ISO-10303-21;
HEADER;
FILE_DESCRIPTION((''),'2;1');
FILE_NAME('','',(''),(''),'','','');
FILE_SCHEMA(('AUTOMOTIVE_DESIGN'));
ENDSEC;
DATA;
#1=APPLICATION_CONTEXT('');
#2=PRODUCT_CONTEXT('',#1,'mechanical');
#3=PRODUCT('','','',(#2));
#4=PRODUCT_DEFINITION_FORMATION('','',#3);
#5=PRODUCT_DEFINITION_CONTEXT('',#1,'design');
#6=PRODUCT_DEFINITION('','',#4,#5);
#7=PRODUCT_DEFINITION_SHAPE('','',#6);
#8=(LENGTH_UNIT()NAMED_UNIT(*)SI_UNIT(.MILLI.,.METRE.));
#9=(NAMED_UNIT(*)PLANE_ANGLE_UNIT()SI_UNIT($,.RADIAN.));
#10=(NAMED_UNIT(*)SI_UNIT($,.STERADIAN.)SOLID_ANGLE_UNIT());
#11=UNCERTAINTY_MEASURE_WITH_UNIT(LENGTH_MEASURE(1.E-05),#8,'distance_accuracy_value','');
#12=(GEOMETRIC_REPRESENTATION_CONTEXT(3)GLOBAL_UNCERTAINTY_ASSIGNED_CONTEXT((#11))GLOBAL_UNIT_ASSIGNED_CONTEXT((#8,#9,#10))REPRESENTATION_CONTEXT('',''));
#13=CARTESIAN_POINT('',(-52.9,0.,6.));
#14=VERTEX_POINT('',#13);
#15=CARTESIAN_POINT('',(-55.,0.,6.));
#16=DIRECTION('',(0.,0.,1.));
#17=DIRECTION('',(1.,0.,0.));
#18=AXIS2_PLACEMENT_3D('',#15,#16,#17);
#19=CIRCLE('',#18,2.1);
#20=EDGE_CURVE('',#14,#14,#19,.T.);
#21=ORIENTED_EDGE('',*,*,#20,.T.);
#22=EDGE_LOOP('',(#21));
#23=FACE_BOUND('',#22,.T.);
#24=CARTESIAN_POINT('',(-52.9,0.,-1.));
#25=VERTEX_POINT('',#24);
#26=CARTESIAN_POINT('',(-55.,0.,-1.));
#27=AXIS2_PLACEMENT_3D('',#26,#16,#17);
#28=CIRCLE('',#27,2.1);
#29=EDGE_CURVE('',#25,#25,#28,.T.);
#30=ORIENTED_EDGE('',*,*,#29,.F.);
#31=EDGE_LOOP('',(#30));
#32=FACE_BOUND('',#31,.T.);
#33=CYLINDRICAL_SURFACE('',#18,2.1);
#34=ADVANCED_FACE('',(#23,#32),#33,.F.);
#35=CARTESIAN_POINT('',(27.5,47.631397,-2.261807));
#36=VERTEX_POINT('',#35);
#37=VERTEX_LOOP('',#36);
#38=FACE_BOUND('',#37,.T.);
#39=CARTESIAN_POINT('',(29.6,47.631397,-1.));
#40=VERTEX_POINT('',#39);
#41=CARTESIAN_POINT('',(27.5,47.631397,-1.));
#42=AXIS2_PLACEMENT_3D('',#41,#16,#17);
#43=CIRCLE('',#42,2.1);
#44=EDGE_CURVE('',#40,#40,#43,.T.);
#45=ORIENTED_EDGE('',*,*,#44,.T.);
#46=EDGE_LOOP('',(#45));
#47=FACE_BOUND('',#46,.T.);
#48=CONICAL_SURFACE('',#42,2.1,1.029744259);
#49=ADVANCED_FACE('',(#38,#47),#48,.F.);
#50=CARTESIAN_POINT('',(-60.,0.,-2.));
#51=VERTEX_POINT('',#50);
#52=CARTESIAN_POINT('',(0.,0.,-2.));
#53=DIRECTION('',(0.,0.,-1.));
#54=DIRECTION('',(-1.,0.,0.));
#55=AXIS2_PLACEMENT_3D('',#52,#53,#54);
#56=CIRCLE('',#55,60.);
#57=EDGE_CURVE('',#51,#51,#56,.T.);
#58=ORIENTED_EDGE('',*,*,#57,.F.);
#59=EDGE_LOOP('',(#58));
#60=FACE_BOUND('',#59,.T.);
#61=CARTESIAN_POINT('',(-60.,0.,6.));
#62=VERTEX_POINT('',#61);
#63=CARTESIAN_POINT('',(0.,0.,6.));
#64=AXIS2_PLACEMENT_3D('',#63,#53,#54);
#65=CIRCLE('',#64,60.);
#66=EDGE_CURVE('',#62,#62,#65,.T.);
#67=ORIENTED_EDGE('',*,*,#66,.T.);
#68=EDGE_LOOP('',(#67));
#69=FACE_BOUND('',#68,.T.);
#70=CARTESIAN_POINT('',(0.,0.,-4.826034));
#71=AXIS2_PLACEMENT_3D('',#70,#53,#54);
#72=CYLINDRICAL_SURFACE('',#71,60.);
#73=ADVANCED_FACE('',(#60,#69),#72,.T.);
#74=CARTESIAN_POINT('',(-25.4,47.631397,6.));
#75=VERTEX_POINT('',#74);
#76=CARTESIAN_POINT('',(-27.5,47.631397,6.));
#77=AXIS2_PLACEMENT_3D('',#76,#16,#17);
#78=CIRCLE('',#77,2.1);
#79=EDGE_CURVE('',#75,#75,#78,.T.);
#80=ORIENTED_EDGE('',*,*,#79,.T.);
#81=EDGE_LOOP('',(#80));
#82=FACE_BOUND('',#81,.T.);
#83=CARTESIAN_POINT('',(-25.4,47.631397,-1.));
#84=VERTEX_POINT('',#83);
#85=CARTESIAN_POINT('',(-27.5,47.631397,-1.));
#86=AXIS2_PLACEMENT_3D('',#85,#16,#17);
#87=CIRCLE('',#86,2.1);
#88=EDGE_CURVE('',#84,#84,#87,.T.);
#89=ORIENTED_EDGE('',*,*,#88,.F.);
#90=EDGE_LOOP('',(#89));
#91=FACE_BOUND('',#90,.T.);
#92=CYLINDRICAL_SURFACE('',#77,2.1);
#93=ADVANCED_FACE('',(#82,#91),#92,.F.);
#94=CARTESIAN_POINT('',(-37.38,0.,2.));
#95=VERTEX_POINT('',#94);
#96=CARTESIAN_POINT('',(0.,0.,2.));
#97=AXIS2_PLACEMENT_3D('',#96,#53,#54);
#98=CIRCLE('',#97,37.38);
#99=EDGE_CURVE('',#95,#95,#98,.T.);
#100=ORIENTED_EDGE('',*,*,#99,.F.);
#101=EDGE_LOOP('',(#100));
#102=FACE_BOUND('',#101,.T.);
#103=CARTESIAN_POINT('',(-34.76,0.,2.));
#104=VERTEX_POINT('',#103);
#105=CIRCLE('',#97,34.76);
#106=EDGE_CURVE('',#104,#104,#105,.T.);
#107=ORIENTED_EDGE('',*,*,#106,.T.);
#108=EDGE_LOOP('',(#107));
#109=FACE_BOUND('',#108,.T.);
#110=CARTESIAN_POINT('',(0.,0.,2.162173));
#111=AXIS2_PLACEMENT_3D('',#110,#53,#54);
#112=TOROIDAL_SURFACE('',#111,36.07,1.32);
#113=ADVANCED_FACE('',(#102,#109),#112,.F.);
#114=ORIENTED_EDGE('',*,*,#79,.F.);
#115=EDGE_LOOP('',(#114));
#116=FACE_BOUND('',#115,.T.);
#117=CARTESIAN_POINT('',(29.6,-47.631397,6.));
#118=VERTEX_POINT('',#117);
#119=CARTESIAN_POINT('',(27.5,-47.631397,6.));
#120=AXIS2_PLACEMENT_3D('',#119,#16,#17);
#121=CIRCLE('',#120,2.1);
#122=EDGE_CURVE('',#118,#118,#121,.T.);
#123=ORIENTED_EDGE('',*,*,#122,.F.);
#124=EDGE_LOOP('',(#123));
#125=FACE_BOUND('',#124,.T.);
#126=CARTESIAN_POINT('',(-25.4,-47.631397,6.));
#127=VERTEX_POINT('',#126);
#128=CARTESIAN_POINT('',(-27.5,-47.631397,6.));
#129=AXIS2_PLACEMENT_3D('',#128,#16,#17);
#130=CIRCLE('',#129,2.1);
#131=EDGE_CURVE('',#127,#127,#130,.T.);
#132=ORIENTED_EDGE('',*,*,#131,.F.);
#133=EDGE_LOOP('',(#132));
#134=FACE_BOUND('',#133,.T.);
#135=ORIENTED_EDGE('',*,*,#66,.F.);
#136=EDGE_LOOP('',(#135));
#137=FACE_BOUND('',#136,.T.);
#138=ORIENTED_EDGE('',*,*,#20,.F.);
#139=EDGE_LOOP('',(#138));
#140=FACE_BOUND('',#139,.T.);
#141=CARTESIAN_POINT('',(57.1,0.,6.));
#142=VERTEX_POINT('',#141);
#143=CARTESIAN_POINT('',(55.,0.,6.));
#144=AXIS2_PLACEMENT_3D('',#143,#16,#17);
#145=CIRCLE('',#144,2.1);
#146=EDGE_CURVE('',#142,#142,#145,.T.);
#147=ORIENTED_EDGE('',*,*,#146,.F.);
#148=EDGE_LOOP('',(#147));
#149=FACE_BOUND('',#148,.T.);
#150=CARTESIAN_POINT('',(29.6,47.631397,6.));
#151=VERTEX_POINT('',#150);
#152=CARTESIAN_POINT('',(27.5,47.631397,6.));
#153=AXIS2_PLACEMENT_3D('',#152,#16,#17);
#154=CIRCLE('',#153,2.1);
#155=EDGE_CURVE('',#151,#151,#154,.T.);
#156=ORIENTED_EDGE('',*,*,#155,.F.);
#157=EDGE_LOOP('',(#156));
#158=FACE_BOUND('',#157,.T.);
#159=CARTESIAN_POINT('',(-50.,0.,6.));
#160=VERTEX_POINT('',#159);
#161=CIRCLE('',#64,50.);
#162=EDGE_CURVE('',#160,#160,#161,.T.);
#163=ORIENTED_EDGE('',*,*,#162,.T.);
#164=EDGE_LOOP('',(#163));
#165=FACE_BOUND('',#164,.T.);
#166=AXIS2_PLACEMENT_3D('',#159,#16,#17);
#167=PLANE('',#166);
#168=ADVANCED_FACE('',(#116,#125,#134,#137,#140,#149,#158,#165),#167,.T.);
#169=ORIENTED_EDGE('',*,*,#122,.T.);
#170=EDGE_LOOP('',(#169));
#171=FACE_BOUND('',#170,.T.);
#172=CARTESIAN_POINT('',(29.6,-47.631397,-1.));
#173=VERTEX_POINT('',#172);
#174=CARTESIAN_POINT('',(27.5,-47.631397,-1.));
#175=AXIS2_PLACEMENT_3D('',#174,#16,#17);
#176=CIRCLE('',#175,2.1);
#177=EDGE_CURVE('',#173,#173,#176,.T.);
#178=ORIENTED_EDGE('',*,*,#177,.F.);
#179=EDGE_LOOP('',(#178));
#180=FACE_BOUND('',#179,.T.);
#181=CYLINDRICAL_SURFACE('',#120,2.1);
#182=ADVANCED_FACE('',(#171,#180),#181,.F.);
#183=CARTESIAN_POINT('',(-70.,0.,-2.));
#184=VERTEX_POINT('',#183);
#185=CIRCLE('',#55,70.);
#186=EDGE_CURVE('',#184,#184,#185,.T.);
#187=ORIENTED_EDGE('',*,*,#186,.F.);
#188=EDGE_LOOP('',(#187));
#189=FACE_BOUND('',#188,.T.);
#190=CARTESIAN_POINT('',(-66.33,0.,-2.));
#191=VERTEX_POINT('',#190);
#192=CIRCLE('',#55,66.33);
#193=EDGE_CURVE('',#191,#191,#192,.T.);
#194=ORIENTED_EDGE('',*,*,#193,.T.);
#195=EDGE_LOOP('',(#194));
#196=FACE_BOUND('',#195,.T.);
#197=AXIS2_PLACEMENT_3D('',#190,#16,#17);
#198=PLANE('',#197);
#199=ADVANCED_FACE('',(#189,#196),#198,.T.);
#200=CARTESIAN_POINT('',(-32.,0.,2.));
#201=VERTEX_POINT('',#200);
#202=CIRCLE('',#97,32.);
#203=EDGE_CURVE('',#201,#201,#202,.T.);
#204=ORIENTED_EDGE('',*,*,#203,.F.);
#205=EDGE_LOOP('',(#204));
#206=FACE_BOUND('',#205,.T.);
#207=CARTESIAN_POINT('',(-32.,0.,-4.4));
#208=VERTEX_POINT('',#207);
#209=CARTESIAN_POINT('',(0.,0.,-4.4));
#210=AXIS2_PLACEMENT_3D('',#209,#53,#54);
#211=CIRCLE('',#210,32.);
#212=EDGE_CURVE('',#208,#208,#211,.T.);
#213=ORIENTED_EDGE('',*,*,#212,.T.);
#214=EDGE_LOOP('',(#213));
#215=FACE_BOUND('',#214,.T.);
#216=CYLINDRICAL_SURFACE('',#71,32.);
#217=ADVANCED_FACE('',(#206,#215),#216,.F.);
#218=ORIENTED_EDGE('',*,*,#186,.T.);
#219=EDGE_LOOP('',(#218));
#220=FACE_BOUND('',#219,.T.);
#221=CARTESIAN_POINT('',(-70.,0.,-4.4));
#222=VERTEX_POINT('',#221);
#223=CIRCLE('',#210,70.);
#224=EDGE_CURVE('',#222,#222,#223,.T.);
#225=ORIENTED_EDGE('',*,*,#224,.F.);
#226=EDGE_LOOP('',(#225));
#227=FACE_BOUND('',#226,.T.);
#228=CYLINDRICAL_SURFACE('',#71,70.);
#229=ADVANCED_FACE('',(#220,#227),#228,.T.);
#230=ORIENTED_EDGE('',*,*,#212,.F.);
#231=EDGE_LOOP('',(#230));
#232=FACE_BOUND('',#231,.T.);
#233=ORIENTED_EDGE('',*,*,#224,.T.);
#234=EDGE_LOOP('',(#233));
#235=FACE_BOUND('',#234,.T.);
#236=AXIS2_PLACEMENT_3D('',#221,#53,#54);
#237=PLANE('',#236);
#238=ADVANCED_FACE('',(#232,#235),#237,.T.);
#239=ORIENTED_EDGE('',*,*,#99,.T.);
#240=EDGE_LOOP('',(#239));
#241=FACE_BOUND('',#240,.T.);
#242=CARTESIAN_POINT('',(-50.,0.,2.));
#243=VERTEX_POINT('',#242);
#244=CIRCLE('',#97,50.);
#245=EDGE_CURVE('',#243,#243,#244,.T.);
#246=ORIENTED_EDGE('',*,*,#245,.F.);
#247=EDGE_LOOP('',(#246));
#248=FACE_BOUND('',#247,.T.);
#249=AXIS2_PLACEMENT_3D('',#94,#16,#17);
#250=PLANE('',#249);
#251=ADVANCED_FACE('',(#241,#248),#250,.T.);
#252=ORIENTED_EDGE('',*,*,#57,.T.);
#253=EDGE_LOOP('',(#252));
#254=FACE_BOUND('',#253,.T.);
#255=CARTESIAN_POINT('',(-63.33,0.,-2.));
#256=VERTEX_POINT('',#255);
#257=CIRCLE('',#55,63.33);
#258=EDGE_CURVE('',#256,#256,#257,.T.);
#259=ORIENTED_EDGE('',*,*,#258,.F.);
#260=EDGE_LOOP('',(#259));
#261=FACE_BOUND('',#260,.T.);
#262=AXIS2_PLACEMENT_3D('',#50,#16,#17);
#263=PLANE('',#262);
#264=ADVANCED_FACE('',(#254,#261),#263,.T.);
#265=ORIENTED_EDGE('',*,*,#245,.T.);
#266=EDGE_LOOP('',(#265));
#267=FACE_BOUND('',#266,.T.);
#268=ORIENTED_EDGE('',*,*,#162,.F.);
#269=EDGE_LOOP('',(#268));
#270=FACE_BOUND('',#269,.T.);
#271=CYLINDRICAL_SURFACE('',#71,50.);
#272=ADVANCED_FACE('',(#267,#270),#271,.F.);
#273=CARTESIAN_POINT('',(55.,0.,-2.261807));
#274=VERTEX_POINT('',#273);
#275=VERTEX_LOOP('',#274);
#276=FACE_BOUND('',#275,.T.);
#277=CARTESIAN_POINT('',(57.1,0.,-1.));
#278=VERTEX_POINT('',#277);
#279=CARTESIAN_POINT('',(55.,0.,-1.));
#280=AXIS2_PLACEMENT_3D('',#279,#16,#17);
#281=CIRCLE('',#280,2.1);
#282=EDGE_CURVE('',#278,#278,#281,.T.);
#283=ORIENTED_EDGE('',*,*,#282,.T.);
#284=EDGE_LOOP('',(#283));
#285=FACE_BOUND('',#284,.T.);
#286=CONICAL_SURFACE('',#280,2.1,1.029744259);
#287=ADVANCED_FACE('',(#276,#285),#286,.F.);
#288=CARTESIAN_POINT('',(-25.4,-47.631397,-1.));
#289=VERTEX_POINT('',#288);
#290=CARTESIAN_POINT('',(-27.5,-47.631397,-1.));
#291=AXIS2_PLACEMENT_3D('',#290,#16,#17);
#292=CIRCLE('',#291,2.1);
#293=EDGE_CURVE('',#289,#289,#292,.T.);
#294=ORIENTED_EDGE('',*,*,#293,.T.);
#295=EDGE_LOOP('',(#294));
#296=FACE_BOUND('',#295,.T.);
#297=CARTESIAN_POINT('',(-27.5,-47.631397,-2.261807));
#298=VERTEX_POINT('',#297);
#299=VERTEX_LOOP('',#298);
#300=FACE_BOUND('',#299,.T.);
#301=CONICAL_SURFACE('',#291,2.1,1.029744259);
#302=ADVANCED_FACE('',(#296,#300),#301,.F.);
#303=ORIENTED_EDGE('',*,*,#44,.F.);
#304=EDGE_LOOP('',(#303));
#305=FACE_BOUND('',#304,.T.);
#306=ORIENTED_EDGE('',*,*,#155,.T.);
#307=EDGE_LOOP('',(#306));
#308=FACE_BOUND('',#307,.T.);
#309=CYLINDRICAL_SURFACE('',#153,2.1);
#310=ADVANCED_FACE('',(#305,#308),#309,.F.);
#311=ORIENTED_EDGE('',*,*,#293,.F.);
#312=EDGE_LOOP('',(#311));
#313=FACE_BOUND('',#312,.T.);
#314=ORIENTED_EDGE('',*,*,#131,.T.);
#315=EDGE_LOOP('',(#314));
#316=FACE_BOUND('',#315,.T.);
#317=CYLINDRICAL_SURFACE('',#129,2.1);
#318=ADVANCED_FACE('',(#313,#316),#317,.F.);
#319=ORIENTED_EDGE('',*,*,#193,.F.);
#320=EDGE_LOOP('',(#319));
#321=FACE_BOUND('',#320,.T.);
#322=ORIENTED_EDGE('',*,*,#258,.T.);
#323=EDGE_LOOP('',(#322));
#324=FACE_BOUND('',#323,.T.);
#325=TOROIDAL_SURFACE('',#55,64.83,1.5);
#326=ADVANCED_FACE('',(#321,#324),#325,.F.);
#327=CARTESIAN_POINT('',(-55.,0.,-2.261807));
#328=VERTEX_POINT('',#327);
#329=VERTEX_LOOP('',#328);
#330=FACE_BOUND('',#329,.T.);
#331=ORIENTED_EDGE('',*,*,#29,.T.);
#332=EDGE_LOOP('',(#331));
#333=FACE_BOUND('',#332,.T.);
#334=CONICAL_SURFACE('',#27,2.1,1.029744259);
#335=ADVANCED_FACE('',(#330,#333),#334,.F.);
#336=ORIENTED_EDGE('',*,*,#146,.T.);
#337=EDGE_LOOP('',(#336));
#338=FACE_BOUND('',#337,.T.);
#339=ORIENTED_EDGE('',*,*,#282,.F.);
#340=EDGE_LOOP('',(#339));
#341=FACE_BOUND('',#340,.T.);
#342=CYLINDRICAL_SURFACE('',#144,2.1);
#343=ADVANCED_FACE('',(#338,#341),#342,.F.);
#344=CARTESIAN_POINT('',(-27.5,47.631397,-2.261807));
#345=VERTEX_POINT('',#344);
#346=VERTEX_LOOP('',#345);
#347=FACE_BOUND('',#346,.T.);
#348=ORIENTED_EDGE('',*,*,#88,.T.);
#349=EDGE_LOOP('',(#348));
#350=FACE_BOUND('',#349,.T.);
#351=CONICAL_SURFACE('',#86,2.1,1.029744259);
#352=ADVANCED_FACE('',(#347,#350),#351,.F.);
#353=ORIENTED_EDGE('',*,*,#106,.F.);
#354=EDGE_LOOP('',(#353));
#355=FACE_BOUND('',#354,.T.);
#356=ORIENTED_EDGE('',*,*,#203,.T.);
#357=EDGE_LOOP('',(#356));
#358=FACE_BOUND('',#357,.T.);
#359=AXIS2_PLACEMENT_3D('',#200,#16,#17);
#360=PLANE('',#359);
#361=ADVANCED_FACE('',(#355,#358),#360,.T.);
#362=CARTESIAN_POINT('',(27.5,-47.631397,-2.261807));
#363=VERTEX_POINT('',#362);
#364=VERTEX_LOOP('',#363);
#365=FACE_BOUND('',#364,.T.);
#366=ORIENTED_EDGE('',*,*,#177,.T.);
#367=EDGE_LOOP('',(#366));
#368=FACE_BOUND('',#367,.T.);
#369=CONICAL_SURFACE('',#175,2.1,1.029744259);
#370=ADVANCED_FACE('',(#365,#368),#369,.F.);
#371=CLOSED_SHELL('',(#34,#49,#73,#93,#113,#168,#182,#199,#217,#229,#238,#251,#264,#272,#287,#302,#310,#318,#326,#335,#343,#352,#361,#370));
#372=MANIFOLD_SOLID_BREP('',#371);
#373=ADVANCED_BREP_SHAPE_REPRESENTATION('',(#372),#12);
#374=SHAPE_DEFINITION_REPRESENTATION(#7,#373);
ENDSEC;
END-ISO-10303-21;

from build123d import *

# Parameters (mm, degrees)
BROCA_DE_ROSQUEAR_PARA_TARRAXA_DE_M5X0_8_D     = 4.2
BROCA_DE_ROSQUEAR_PARA_TARRAXA_DE_M5X0_8_DEPTH = 7
BROCA_DE_ROSQUEAR_PARA_TARRAXA_DE_M5X0_8_TIP   = 1.2618073


with BuildPart() as part:
    # Esboço2 → Revolução1 (revolve)
    with BuildSketch(Plane(origin=(0, 0, 0), x_dir=(1, 0, 0), z_dir=(0, 1, 0))):
        with BuildLine():
            Line((-66.33, 2), (-70, 2))
            Line((-70, 2), (-70, 4.4))
            Line((-70, 4.4), (-32, 4.4))
            Line((-32, 4.4), (-32, -2))
            Line((-32, -2), (-34.76, -2))
            ThreePointArc((-34.76, -2), (-36.07, -0.842172747), (-37.38, -2))
            Line((-37.38, -2), (-50, -2))
            Line((-50, -2), (-50, -6))
            Line((-50, -6), (-60, -6))
            Line((-60, -6), (-60, 2))
            Line((-60, 2), (-63.33, 2))
            ThreePointArc((-63.33, 2), (-64.83, 3.5), (-66.33, 2))
        make_face()
    revolve(axis=Axis((0, 0, -4.826033988), (0, 0, 1)))

    # Broca de rosquear para tarraxa de M5x0.81
    with Locations(Plane.XY.offset(6)):
        with Locations((-27.5, 47.631397208), (27.5, 47.631397208), (55, 0), (27.5, -47.631397208), (-27.5, -47.631397208), (-55, 0)):
            Hole(BROCA_DE_ROSQUEAR_PARA_TARRAXA_DE_M5X0_8_D / 2, depth=BROCA_DE_ROSQUEAR_PARA_TARRAXA_DE_M5X0_8_DEPTH)
            with Locations((0, 0, -(BROCA_DE_ROSQUEAR_PARA_TARRAXA_DE_M5X0_8_DEPTH + BROCA_DE_ROSQUEAR_PARA_TARRAXA_DE_M5X0_8_TIP / 2))):  # 118° drill point
                Cone(0, BROCA_DE_ROSQUEAR_PARA_TARRAXA_DE_M5X0_8_D / 2, BROCA_DE_ROSQUEAR_PARA_TARRAXA_DE_M5X0_8_TIP, mode=Mode.SUBTRACT)


solid = part.part
